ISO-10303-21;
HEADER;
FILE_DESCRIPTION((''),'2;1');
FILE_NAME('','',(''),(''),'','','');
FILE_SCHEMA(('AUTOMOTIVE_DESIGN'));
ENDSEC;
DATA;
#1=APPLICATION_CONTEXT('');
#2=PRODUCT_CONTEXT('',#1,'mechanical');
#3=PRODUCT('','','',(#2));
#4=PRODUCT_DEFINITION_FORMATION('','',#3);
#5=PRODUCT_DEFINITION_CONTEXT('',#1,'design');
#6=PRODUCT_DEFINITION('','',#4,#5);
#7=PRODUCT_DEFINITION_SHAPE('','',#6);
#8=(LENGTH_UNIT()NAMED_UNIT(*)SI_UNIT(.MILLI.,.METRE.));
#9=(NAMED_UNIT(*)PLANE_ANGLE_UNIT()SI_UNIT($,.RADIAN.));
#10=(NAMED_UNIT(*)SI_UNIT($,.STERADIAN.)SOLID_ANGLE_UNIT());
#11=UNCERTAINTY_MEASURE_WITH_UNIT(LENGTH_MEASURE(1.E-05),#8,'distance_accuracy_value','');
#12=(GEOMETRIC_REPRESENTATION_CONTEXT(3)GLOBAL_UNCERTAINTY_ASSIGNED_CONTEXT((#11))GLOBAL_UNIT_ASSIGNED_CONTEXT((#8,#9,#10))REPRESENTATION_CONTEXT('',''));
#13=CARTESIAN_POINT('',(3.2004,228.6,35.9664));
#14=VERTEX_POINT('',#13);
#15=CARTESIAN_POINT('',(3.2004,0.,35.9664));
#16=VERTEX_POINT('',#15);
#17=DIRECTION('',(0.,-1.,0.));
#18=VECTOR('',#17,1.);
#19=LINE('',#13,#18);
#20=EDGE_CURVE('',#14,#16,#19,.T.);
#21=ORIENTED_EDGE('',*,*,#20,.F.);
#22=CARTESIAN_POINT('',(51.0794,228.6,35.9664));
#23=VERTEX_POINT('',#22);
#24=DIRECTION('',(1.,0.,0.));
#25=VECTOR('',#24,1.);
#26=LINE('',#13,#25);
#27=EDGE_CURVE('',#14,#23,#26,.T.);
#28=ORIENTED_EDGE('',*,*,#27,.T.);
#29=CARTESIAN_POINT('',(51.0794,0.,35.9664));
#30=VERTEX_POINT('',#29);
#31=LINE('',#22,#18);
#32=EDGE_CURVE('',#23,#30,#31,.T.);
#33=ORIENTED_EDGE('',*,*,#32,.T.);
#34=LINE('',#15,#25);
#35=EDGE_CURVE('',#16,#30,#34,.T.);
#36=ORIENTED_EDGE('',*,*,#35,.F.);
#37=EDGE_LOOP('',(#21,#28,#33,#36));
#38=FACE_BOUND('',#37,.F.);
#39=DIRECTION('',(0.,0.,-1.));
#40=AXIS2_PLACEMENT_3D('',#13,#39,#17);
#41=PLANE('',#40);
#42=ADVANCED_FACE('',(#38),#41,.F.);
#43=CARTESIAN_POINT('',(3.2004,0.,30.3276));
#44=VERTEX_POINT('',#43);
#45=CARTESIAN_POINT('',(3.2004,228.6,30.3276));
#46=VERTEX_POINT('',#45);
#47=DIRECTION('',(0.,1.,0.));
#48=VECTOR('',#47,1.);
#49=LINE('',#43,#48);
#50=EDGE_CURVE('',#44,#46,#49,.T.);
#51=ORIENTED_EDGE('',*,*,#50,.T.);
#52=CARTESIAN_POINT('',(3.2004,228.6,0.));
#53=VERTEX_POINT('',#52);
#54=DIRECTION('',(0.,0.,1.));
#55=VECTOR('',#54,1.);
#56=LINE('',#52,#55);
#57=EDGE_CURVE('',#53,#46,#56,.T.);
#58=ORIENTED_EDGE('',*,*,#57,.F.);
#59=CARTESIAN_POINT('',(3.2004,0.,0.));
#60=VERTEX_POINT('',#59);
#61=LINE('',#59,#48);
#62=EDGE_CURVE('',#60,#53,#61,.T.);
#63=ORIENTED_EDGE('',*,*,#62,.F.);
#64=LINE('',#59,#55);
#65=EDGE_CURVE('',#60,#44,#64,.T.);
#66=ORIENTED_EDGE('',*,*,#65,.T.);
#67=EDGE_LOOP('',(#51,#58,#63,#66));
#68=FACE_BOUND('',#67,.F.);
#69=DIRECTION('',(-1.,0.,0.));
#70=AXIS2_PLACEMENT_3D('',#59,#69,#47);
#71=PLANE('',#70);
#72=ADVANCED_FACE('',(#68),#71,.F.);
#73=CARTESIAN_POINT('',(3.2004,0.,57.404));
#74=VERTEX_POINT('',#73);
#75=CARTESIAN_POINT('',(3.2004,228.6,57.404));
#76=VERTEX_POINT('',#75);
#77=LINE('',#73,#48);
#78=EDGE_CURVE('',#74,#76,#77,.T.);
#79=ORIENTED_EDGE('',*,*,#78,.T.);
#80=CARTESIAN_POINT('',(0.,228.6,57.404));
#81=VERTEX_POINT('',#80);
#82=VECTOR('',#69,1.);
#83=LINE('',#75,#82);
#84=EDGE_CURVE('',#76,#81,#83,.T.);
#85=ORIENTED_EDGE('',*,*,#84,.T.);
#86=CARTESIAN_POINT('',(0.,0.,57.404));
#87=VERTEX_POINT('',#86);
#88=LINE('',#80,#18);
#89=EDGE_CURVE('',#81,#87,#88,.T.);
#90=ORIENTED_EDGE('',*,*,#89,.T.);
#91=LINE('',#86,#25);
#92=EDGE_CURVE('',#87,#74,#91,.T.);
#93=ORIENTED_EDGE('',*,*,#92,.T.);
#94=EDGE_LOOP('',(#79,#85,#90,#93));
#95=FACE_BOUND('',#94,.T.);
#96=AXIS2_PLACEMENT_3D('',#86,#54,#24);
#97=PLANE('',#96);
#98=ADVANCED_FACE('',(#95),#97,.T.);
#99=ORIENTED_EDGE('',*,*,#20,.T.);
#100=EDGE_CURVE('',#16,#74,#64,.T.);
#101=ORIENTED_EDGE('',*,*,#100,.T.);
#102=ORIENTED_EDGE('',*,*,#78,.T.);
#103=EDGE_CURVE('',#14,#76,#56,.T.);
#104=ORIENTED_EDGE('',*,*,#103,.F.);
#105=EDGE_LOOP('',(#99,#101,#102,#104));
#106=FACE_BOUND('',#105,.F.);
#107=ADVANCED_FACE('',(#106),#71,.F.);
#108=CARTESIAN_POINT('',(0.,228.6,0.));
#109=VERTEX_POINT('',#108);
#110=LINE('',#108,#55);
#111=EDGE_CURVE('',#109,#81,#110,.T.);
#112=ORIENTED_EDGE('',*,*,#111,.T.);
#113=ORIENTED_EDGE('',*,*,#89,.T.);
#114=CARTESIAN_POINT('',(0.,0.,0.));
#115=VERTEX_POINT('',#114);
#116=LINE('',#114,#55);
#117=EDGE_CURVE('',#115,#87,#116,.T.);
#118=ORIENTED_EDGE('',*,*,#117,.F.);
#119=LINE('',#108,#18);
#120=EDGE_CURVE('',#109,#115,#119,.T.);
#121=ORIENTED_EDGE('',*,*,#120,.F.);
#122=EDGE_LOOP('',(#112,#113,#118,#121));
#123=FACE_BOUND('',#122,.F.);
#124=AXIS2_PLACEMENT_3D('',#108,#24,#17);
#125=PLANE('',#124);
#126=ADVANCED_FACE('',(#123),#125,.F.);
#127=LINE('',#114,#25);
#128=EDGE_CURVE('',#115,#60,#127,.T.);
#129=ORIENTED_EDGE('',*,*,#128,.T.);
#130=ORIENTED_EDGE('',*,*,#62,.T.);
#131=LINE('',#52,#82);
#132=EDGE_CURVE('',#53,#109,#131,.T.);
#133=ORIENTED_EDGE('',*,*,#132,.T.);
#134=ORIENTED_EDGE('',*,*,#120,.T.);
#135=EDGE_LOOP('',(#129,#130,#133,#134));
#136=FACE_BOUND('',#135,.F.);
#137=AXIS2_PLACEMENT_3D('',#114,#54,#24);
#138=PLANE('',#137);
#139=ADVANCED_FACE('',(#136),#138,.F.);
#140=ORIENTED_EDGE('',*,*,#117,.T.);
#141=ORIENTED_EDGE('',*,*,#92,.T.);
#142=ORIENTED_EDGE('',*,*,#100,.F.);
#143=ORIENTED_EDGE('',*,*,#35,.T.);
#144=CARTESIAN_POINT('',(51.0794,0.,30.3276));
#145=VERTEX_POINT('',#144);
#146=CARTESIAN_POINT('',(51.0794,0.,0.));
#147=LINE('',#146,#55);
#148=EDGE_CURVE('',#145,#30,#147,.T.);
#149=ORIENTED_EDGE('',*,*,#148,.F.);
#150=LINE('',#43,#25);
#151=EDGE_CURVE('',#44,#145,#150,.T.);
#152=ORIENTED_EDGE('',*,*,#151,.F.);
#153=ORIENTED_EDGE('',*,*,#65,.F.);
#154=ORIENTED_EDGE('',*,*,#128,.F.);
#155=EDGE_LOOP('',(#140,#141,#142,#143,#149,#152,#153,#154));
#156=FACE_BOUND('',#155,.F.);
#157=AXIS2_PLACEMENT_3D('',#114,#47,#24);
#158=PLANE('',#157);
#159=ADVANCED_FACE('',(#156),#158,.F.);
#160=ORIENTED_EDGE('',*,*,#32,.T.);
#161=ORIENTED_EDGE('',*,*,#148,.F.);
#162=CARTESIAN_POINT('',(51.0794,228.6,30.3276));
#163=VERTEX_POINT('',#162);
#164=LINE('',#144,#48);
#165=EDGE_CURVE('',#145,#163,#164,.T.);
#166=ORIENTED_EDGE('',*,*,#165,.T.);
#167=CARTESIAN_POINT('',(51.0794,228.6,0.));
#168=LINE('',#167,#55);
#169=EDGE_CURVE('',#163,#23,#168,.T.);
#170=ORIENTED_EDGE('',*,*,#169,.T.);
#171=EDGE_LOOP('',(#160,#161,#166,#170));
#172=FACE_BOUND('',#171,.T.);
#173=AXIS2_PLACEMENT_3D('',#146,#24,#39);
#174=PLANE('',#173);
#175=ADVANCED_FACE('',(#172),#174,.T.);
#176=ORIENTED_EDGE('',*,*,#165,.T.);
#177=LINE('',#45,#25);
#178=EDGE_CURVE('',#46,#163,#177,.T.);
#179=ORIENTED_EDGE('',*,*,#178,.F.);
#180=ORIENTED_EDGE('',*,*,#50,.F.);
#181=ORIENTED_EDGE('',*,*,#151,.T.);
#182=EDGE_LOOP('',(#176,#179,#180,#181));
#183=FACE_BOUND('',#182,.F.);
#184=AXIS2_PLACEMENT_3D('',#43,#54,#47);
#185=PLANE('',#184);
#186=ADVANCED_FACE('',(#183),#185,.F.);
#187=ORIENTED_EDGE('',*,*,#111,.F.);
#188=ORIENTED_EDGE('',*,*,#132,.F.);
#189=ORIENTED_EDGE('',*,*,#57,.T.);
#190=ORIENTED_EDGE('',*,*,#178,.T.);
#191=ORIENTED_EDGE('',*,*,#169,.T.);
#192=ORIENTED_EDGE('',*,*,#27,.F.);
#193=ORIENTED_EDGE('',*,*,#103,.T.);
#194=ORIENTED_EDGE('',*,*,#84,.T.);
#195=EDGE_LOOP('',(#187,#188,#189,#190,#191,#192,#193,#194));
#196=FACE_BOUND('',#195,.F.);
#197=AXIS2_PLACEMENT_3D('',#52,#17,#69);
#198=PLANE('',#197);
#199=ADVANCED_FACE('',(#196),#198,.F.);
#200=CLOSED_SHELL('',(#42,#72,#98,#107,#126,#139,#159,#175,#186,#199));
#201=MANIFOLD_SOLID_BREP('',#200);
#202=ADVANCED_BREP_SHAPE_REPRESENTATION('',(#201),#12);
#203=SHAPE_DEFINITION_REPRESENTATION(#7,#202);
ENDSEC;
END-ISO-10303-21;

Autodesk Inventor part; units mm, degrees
ref_plane "YZ Plane" through (0, 0, 0) normal (1, 0, 0) x (0, 1, 0)
ref_plane "XZ Plane" through (0, 0, 0) normal (0, 1, 0) x (-1, 0, 0)
ref_plane "XY Plane" through (0, 0, 0) normal (0, 0, 1) x (1, 0, 0)
sketch "Sketch1" plane through (0, 0, 0) normal (0, 0, 1) x (1, 0, 0)
  line L0 (0, 0) -> (3.2004, 0)
  line L1 (3.2004, 0) -> (3.2004, 228.6)
  line L2 (3.2004, 228.6) -> (0, 228.6)
  line L3 (0, 228.6) -> (0, 0)
  dimension "d0" = 3.2004
  dimension "d1" = 228.6
extrude "Extrusion1" add sketch "Sketch1" along normal blind 57.404
sketch "Sketch2" plane through (3.2004, 0, 0) normal (1, 0, 0) x (0, 0, -1)
  line L0 (0, 0) -> (-57.404, 0) projected
  line L1 (0, 228.6) -> (-57.404, 228.6) projected
  line L2 (-35.9664, 0) -> (-30.3276, 0)
  line L3 (-30.3276, 0) -> (-30.3276, 228.6)
  line L4 (-30.3276, 228.6) -> (-35.9664, 228.6)
  line L5 (-35.9664, 228.6) -> (-35.9664, 0)
  line L6 (-57.404, 0) -> (-57.404, 228.6) projected
  dimension "d4" = 228.6
  dimension "d5" = 5.6388
  dimension "d6" = 21.4376
extrude "Extrusion2" add sketch "Sketch2" along normal blind 47.879 contours L0 L5 L1 L3
properties part number "Guide 2"
